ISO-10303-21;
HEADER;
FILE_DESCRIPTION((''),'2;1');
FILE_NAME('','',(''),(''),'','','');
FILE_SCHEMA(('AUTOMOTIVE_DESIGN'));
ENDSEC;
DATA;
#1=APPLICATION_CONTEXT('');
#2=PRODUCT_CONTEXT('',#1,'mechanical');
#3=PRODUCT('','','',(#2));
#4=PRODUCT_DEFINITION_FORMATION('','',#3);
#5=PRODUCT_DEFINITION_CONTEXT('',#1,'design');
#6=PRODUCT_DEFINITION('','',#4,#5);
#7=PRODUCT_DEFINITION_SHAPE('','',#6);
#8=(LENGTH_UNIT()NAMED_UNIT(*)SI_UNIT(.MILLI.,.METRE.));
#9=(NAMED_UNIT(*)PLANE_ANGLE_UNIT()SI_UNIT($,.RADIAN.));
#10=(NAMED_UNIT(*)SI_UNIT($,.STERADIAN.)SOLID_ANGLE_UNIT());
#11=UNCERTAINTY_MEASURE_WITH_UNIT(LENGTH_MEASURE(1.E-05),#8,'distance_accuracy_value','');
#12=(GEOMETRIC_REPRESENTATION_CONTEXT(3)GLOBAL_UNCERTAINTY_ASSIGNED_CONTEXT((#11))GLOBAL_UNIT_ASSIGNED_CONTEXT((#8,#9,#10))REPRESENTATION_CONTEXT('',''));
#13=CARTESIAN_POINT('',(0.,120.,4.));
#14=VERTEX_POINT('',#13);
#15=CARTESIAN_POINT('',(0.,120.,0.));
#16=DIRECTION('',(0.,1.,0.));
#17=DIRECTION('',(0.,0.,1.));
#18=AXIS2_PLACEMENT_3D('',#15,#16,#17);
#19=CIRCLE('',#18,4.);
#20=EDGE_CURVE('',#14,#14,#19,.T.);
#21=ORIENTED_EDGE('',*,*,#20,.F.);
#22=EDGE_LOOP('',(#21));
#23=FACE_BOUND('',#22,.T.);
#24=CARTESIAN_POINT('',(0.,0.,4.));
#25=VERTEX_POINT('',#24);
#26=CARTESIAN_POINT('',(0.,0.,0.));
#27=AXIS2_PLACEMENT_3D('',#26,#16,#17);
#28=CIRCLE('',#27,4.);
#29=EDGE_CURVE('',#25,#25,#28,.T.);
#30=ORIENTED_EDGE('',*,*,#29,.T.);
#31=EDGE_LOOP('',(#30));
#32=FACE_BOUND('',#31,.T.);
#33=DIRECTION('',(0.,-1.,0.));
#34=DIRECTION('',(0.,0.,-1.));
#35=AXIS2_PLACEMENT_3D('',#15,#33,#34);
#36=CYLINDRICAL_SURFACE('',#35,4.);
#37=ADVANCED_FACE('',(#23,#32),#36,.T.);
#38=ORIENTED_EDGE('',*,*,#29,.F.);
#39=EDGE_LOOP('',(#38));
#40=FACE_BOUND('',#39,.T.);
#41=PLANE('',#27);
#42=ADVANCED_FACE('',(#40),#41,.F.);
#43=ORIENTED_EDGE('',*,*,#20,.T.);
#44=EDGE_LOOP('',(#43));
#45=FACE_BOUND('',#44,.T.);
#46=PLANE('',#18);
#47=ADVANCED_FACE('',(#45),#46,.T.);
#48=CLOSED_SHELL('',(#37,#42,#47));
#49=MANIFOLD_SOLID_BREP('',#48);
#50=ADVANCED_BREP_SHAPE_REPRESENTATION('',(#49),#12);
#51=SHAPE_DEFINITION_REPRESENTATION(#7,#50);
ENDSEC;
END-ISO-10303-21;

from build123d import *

# Parameters (mm, degrees)
SKETCH1_R           = 4
BOSS_EXTRUDE1_DEPTH = 120


with BuildPart() as part:
    # Sketch1 → Boss-Extrude1 (new body)
    with BuildSketch(Plane(origin=(0, 0, 0), x_dir=(1, 0, 0), z_dir=(0, 1, 0))):
        with Locations(Location((0, 0, 0), (0, 0, 270))):  # turned: the seam where the file's is
            Circle(SKETCH1_R)
    extrude(amount=BOSS_EXTRUDE1_DEPTH)


solid = part.part
